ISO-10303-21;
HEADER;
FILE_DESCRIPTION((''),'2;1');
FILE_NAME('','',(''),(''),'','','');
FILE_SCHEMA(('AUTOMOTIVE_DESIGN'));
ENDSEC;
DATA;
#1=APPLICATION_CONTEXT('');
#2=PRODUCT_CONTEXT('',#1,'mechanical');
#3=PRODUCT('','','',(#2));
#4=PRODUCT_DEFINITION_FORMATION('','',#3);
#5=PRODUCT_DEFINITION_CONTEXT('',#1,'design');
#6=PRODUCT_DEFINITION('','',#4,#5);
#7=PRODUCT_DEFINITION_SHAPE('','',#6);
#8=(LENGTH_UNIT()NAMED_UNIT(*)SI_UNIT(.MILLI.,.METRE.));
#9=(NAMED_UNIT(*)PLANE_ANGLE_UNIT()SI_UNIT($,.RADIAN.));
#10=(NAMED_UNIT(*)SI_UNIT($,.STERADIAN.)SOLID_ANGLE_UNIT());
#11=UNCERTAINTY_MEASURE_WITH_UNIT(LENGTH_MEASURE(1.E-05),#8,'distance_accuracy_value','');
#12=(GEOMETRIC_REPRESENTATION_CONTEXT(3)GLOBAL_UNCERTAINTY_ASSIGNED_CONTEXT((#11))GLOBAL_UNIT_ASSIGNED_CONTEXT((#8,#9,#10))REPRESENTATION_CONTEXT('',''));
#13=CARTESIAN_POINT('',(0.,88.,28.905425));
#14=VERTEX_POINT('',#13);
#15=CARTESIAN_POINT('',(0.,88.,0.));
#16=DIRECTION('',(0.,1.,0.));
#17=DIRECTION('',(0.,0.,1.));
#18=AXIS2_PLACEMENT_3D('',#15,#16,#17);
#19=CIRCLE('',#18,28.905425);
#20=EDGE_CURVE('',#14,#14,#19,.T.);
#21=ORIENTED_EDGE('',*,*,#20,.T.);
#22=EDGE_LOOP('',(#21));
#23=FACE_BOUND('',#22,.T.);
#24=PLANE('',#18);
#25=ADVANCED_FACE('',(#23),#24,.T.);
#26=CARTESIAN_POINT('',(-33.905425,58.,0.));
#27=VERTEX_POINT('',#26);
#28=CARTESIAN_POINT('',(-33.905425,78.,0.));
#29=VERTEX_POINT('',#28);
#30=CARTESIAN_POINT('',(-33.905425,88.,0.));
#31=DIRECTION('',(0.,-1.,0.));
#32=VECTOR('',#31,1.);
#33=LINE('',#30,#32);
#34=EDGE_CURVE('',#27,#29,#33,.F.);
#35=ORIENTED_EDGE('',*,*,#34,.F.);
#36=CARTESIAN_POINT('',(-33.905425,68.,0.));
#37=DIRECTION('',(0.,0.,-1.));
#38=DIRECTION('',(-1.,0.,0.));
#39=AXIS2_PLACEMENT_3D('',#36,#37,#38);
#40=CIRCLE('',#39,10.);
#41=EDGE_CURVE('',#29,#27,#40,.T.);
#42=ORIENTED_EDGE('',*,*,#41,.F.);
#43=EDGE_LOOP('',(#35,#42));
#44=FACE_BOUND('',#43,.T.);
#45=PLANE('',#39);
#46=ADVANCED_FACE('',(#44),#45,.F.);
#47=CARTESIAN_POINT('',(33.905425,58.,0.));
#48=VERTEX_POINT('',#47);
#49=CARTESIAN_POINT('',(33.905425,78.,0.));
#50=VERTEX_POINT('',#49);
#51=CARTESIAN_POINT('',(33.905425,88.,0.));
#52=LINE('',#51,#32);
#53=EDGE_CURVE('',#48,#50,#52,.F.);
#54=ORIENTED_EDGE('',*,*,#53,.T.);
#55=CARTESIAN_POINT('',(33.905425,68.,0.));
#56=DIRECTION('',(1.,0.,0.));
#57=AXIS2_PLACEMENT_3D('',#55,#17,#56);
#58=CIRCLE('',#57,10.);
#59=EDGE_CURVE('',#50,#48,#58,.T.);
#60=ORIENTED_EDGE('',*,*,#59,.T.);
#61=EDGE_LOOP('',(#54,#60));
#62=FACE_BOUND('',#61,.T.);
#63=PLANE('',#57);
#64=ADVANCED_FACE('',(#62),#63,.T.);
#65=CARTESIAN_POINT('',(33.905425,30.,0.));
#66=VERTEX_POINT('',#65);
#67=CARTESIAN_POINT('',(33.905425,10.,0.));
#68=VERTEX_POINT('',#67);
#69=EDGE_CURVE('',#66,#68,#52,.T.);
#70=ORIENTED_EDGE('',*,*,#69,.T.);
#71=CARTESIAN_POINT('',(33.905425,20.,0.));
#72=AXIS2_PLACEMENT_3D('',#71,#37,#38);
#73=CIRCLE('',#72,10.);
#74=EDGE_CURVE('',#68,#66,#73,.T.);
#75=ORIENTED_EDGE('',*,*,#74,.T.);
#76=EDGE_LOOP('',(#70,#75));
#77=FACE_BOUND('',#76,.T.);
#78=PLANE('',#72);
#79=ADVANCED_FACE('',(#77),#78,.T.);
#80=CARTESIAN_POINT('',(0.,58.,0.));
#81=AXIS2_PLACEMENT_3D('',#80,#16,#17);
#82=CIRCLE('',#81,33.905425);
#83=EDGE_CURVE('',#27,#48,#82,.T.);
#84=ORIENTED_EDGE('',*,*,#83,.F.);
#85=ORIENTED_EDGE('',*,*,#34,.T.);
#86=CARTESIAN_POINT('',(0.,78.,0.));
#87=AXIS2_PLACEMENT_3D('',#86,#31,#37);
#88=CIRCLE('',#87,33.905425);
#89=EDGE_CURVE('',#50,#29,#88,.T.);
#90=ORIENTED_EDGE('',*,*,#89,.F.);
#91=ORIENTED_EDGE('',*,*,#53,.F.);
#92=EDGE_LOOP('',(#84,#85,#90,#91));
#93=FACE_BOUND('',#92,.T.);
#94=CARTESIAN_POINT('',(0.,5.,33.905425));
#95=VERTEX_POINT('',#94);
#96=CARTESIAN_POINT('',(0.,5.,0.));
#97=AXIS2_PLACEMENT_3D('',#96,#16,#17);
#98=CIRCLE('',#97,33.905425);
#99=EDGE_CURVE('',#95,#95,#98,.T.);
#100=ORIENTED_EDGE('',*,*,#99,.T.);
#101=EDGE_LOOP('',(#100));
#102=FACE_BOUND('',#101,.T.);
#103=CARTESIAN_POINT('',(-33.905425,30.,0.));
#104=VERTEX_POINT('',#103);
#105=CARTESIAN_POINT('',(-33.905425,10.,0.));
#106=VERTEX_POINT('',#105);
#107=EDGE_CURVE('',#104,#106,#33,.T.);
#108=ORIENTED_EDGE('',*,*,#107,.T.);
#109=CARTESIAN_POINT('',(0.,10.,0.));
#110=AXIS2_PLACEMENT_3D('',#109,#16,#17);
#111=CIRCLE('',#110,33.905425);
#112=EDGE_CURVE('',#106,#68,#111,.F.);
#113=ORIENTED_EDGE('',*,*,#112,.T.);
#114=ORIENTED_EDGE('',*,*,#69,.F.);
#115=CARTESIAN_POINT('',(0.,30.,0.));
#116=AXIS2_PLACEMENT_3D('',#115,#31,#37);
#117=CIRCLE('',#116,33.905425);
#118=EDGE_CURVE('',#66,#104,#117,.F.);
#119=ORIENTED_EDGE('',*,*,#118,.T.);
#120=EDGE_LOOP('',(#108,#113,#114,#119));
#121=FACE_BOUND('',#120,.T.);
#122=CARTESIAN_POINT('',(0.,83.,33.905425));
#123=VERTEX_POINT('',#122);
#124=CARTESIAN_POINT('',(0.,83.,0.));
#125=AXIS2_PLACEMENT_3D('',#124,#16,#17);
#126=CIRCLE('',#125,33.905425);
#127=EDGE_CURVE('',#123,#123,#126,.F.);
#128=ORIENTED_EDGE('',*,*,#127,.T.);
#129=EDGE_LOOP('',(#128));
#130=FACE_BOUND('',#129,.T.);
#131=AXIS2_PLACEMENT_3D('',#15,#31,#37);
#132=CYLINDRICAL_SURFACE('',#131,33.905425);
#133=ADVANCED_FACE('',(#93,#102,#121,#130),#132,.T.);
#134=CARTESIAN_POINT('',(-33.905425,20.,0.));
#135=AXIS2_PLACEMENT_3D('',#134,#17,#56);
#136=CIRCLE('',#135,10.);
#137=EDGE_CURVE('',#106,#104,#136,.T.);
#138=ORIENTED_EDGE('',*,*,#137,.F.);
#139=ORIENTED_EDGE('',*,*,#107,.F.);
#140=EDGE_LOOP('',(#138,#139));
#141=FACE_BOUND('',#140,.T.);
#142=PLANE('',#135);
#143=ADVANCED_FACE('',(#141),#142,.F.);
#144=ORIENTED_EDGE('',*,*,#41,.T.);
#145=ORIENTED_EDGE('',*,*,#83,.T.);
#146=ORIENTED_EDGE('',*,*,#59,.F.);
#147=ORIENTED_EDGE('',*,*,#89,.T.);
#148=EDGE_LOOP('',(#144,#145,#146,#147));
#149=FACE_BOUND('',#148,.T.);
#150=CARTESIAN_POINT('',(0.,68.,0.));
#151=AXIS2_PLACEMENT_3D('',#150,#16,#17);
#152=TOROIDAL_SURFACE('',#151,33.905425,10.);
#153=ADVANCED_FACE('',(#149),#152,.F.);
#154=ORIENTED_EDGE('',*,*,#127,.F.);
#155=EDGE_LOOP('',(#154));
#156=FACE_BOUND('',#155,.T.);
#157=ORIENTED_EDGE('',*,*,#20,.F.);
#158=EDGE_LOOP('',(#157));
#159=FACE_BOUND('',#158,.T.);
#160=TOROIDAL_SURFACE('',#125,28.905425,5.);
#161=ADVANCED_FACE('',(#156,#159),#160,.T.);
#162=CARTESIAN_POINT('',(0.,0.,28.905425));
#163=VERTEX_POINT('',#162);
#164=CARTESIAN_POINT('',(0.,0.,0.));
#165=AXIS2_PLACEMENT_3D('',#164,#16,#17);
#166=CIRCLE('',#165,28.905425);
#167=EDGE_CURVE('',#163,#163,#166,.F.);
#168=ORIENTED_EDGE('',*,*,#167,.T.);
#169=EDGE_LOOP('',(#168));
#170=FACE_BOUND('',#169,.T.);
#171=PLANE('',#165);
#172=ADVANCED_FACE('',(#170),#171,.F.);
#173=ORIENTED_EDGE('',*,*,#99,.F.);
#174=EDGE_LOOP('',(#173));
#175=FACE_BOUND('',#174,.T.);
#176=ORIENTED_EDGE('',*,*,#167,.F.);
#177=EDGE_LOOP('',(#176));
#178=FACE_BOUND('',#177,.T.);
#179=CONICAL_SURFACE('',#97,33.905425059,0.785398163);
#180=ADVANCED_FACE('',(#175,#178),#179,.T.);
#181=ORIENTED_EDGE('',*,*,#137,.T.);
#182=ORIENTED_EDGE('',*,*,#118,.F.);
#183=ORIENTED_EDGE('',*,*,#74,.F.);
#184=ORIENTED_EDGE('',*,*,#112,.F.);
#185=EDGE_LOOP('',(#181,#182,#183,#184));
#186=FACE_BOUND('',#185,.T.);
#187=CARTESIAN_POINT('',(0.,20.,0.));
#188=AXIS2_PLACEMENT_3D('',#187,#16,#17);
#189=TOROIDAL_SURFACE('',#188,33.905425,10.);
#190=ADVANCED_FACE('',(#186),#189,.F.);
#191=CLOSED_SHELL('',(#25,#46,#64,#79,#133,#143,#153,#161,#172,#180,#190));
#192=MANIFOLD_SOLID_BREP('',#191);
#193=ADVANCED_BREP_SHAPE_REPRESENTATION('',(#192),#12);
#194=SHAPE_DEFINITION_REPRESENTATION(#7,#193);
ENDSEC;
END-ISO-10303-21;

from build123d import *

# Parameters (mm, degrees)
SKETCH1_R           = 33.905425059
BOSS_EXTRUDE1_DEPTH = 88
SKETCH2_R           = 10
CUT_REVOLVE1_ANGLE  = 180
FILLET1_R           = 5
CHAMFER1_SIZE       = 5


with BuildPart() as part:
    # Sketch1 → Boss-Extrude1 (new body)
    with BuildSketch(Plane(origin=(0, 0, 0), x_dir=(1, 0, 0), z_dir=(0, 1, 0))):
        with Locations(Location((0, 0, 0), (0, 0, 270))):
            Circle(SKETCH1_R)
    extrude(amount=BOSS_EXTRUDE1_DEPTH)

    # Sketch2 → Cut-Revolve1 (revolve, cut)
    with BuildSketch(Plane.XY):
        with Locations((33.905425059, 68)):
            Circle(SKETCH2_R)
        with Locations((-33.905425059, 20)):
            Circle(SKETCH2_R)
    revolve(axis=Axis((0, 39.08266512, 0), (0, -1, 0)), revolution_arc=CUT_REVOLVE1_ANGLE, mode=Mode.SUBTRACT)

    # Fillet1
    fillet1_edges = [part.edges().sort_by_distance(p)[0] for p in [
        (0, 88, -33.905425059),
    ]]
    fillet(fillet1_edges, radius=FILLET1_R)

    # Chamfer1
    chamfer1_edges = [part.edges().sort_by_distance(p)[0] for p in [
        (0, 0, -33.905425059),
    ]]
    chamfer(chamfer1_edges, length=CHAMFER1_SIZE)


solid = part.part
